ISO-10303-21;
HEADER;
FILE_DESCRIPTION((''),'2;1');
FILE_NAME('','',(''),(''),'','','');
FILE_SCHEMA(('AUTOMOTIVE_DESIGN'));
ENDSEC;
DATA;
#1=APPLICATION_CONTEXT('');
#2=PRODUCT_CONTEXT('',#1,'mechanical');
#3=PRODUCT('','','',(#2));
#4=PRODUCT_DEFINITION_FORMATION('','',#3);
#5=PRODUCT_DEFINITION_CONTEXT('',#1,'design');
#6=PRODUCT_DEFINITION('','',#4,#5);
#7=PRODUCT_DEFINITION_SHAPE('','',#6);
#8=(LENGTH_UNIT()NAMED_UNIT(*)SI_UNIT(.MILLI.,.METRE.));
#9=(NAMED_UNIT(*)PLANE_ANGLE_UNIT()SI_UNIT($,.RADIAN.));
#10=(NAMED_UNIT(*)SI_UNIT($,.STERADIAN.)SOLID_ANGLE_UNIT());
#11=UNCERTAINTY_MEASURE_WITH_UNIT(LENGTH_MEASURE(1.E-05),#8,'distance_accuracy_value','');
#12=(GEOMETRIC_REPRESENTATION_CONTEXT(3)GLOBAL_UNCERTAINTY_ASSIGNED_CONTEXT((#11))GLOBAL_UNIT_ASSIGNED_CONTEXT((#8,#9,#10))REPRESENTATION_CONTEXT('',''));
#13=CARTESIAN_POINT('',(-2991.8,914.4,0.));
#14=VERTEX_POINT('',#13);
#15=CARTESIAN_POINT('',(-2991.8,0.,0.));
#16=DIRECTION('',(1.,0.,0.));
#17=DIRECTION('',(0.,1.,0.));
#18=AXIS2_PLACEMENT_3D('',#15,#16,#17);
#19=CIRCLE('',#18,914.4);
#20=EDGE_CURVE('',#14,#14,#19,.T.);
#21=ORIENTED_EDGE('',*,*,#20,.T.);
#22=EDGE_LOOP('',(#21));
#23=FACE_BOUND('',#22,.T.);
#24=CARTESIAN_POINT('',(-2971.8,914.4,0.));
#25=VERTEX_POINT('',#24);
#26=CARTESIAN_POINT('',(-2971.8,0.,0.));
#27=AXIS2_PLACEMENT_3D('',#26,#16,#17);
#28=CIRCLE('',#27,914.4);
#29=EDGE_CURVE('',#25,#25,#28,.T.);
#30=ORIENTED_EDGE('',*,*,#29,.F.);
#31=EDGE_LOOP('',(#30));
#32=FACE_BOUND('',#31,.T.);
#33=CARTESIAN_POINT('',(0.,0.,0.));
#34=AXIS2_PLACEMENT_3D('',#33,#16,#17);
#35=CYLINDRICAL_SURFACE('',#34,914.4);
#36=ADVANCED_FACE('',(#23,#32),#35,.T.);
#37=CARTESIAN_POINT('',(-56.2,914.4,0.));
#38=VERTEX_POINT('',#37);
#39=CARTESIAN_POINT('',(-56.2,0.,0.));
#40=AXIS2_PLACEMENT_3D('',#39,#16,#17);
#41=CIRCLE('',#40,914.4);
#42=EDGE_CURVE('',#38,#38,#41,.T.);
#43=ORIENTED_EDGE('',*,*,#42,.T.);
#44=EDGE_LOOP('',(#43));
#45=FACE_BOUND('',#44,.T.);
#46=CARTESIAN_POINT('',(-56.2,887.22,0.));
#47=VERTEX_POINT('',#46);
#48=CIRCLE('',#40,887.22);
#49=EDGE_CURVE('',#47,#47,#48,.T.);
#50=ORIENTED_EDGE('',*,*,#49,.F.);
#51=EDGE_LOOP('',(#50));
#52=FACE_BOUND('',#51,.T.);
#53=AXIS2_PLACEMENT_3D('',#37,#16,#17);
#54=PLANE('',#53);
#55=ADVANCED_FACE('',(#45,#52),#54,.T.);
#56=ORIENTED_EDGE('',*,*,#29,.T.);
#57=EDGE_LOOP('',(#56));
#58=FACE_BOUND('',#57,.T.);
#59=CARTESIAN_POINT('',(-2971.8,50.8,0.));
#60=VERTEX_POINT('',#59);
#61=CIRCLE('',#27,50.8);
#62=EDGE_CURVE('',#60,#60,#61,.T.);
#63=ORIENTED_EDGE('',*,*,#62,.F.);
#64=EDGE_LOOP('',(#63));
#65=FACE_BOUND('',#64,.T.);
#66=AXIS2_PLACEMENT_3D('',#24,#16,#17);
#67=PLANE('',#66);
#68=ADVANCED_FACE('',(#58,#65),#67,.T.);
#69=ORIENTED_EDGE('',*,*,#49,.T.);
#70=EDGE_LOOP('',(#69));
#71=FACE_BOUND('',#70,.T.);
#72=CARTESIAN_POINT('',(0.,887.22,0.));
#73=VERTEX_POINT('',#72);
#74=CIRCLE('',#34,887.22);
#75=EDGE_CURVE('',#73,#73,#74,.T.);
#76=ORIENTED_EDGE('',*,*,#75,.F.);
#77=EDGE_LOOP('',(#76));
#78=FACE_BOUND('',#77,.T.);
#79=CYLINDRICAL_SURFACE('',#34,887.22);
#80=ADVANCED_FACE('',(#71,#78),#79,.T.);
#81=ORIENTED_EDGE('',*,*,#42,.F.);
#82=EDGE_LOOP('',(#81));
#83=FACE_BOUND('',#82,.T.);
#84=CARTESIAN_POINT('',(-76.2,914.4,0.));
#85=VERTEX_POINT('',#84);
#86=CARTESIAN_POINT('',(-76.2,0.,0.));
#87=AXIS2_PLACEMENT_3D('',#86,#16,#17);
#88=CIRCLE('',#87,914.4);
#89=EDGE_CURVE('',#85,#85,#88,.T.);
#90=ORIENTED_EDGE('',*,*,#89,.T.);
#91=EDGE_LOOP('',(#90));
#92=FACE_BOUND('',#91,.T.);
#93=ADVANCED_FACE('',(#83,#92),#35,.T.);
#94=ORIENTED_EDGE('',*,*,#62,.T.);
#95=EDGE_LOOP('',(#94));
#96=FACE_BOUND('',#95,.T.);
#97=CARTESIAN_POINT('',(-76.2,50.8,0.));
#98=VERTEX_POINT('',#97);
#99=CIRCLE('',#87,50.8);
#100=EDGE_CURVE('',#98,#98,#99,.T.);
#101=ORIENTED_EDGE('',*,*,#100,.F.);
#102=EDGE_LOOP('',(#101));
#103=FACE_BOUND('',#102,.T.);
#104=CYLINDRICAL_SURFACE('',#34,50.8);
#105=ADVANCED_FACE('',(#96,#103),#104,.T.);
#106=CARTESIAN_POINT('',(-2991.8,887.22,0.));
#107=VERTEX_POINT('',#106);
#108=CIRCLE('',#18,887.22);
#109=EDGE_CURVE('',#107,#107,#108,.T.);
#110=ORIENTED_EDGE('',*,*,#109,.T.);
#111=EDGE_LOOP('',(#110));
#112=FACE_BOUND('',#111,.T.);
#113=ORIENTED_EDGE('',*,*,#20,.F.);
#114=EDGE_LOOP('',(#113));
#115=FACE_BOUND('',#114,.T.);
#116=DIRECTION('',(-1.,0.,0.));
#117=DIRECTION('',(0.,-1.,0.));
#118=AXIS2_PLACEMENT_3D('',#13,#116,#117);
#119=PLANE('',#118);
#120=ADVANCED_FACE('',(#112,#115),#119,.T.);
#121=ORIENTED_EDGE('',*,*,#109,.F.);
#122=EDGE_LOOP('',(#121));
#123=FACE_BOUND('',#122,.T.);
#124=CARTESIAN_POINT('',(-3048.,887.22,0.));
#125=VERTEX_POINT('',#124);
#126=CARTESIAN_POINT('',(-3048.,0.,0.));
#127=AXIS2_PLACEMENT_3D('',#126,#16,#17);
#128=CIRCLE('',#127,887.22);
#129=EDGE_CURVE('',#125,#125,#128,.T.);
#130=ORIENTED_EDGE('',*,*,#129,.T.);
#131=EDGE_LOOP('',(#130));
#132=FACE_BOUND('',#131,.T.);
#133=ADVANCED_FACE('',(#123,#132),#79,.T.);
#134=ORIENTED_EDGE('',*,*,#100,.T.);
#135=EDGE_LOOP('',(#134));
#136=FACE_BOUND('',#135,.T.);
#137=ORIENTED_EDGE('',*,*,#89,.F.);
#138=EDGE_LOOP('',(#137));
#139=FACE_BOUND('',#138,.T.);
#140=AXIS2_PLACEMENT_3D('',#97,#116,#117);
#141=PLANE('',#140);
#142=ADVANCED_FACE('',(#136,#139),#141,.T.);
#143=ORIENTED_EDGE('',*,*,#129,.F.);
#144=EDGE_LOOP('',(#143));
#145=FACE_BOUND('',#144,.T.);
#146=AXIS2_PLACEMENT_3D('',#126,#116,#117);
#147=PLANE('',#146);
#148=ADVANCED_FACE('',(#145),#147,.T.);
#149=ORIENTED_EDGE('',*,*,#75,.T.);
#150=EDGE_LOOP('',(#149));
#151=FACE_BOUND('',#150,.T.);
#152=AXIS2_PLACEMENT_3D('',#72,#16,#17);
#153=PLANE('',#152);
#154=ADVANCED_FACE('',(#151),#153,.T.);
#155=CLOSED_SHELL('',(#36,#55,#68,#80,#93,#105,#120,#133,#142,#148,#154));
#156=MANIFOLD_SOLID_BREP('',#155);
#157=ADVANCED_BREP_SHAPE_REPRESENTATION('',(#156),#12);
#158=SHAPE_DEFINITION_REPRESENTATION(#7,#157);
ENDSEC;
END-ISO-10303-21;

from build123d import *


with BuildPart() as part:
    # Sketch1 → Revolve2 (revolve)
    with BuildSketch(Plane.XY):
        Polygon((0, 0), (-3048, 0), (-3048, 887.22), (-2991.8, 887.22), (-2991.8, 914.4), (-2971.8, 914.4), (-2971.8, 50.8), (-76.2, 50.8), (-76.2, 914.4), (-56.2, 914.4), (-56.2, 887.22), (0, 887.22), align=None)
    revolve(axis=Axis((0, 0, 0), (-1, 0, 0)))


solid = part.part
